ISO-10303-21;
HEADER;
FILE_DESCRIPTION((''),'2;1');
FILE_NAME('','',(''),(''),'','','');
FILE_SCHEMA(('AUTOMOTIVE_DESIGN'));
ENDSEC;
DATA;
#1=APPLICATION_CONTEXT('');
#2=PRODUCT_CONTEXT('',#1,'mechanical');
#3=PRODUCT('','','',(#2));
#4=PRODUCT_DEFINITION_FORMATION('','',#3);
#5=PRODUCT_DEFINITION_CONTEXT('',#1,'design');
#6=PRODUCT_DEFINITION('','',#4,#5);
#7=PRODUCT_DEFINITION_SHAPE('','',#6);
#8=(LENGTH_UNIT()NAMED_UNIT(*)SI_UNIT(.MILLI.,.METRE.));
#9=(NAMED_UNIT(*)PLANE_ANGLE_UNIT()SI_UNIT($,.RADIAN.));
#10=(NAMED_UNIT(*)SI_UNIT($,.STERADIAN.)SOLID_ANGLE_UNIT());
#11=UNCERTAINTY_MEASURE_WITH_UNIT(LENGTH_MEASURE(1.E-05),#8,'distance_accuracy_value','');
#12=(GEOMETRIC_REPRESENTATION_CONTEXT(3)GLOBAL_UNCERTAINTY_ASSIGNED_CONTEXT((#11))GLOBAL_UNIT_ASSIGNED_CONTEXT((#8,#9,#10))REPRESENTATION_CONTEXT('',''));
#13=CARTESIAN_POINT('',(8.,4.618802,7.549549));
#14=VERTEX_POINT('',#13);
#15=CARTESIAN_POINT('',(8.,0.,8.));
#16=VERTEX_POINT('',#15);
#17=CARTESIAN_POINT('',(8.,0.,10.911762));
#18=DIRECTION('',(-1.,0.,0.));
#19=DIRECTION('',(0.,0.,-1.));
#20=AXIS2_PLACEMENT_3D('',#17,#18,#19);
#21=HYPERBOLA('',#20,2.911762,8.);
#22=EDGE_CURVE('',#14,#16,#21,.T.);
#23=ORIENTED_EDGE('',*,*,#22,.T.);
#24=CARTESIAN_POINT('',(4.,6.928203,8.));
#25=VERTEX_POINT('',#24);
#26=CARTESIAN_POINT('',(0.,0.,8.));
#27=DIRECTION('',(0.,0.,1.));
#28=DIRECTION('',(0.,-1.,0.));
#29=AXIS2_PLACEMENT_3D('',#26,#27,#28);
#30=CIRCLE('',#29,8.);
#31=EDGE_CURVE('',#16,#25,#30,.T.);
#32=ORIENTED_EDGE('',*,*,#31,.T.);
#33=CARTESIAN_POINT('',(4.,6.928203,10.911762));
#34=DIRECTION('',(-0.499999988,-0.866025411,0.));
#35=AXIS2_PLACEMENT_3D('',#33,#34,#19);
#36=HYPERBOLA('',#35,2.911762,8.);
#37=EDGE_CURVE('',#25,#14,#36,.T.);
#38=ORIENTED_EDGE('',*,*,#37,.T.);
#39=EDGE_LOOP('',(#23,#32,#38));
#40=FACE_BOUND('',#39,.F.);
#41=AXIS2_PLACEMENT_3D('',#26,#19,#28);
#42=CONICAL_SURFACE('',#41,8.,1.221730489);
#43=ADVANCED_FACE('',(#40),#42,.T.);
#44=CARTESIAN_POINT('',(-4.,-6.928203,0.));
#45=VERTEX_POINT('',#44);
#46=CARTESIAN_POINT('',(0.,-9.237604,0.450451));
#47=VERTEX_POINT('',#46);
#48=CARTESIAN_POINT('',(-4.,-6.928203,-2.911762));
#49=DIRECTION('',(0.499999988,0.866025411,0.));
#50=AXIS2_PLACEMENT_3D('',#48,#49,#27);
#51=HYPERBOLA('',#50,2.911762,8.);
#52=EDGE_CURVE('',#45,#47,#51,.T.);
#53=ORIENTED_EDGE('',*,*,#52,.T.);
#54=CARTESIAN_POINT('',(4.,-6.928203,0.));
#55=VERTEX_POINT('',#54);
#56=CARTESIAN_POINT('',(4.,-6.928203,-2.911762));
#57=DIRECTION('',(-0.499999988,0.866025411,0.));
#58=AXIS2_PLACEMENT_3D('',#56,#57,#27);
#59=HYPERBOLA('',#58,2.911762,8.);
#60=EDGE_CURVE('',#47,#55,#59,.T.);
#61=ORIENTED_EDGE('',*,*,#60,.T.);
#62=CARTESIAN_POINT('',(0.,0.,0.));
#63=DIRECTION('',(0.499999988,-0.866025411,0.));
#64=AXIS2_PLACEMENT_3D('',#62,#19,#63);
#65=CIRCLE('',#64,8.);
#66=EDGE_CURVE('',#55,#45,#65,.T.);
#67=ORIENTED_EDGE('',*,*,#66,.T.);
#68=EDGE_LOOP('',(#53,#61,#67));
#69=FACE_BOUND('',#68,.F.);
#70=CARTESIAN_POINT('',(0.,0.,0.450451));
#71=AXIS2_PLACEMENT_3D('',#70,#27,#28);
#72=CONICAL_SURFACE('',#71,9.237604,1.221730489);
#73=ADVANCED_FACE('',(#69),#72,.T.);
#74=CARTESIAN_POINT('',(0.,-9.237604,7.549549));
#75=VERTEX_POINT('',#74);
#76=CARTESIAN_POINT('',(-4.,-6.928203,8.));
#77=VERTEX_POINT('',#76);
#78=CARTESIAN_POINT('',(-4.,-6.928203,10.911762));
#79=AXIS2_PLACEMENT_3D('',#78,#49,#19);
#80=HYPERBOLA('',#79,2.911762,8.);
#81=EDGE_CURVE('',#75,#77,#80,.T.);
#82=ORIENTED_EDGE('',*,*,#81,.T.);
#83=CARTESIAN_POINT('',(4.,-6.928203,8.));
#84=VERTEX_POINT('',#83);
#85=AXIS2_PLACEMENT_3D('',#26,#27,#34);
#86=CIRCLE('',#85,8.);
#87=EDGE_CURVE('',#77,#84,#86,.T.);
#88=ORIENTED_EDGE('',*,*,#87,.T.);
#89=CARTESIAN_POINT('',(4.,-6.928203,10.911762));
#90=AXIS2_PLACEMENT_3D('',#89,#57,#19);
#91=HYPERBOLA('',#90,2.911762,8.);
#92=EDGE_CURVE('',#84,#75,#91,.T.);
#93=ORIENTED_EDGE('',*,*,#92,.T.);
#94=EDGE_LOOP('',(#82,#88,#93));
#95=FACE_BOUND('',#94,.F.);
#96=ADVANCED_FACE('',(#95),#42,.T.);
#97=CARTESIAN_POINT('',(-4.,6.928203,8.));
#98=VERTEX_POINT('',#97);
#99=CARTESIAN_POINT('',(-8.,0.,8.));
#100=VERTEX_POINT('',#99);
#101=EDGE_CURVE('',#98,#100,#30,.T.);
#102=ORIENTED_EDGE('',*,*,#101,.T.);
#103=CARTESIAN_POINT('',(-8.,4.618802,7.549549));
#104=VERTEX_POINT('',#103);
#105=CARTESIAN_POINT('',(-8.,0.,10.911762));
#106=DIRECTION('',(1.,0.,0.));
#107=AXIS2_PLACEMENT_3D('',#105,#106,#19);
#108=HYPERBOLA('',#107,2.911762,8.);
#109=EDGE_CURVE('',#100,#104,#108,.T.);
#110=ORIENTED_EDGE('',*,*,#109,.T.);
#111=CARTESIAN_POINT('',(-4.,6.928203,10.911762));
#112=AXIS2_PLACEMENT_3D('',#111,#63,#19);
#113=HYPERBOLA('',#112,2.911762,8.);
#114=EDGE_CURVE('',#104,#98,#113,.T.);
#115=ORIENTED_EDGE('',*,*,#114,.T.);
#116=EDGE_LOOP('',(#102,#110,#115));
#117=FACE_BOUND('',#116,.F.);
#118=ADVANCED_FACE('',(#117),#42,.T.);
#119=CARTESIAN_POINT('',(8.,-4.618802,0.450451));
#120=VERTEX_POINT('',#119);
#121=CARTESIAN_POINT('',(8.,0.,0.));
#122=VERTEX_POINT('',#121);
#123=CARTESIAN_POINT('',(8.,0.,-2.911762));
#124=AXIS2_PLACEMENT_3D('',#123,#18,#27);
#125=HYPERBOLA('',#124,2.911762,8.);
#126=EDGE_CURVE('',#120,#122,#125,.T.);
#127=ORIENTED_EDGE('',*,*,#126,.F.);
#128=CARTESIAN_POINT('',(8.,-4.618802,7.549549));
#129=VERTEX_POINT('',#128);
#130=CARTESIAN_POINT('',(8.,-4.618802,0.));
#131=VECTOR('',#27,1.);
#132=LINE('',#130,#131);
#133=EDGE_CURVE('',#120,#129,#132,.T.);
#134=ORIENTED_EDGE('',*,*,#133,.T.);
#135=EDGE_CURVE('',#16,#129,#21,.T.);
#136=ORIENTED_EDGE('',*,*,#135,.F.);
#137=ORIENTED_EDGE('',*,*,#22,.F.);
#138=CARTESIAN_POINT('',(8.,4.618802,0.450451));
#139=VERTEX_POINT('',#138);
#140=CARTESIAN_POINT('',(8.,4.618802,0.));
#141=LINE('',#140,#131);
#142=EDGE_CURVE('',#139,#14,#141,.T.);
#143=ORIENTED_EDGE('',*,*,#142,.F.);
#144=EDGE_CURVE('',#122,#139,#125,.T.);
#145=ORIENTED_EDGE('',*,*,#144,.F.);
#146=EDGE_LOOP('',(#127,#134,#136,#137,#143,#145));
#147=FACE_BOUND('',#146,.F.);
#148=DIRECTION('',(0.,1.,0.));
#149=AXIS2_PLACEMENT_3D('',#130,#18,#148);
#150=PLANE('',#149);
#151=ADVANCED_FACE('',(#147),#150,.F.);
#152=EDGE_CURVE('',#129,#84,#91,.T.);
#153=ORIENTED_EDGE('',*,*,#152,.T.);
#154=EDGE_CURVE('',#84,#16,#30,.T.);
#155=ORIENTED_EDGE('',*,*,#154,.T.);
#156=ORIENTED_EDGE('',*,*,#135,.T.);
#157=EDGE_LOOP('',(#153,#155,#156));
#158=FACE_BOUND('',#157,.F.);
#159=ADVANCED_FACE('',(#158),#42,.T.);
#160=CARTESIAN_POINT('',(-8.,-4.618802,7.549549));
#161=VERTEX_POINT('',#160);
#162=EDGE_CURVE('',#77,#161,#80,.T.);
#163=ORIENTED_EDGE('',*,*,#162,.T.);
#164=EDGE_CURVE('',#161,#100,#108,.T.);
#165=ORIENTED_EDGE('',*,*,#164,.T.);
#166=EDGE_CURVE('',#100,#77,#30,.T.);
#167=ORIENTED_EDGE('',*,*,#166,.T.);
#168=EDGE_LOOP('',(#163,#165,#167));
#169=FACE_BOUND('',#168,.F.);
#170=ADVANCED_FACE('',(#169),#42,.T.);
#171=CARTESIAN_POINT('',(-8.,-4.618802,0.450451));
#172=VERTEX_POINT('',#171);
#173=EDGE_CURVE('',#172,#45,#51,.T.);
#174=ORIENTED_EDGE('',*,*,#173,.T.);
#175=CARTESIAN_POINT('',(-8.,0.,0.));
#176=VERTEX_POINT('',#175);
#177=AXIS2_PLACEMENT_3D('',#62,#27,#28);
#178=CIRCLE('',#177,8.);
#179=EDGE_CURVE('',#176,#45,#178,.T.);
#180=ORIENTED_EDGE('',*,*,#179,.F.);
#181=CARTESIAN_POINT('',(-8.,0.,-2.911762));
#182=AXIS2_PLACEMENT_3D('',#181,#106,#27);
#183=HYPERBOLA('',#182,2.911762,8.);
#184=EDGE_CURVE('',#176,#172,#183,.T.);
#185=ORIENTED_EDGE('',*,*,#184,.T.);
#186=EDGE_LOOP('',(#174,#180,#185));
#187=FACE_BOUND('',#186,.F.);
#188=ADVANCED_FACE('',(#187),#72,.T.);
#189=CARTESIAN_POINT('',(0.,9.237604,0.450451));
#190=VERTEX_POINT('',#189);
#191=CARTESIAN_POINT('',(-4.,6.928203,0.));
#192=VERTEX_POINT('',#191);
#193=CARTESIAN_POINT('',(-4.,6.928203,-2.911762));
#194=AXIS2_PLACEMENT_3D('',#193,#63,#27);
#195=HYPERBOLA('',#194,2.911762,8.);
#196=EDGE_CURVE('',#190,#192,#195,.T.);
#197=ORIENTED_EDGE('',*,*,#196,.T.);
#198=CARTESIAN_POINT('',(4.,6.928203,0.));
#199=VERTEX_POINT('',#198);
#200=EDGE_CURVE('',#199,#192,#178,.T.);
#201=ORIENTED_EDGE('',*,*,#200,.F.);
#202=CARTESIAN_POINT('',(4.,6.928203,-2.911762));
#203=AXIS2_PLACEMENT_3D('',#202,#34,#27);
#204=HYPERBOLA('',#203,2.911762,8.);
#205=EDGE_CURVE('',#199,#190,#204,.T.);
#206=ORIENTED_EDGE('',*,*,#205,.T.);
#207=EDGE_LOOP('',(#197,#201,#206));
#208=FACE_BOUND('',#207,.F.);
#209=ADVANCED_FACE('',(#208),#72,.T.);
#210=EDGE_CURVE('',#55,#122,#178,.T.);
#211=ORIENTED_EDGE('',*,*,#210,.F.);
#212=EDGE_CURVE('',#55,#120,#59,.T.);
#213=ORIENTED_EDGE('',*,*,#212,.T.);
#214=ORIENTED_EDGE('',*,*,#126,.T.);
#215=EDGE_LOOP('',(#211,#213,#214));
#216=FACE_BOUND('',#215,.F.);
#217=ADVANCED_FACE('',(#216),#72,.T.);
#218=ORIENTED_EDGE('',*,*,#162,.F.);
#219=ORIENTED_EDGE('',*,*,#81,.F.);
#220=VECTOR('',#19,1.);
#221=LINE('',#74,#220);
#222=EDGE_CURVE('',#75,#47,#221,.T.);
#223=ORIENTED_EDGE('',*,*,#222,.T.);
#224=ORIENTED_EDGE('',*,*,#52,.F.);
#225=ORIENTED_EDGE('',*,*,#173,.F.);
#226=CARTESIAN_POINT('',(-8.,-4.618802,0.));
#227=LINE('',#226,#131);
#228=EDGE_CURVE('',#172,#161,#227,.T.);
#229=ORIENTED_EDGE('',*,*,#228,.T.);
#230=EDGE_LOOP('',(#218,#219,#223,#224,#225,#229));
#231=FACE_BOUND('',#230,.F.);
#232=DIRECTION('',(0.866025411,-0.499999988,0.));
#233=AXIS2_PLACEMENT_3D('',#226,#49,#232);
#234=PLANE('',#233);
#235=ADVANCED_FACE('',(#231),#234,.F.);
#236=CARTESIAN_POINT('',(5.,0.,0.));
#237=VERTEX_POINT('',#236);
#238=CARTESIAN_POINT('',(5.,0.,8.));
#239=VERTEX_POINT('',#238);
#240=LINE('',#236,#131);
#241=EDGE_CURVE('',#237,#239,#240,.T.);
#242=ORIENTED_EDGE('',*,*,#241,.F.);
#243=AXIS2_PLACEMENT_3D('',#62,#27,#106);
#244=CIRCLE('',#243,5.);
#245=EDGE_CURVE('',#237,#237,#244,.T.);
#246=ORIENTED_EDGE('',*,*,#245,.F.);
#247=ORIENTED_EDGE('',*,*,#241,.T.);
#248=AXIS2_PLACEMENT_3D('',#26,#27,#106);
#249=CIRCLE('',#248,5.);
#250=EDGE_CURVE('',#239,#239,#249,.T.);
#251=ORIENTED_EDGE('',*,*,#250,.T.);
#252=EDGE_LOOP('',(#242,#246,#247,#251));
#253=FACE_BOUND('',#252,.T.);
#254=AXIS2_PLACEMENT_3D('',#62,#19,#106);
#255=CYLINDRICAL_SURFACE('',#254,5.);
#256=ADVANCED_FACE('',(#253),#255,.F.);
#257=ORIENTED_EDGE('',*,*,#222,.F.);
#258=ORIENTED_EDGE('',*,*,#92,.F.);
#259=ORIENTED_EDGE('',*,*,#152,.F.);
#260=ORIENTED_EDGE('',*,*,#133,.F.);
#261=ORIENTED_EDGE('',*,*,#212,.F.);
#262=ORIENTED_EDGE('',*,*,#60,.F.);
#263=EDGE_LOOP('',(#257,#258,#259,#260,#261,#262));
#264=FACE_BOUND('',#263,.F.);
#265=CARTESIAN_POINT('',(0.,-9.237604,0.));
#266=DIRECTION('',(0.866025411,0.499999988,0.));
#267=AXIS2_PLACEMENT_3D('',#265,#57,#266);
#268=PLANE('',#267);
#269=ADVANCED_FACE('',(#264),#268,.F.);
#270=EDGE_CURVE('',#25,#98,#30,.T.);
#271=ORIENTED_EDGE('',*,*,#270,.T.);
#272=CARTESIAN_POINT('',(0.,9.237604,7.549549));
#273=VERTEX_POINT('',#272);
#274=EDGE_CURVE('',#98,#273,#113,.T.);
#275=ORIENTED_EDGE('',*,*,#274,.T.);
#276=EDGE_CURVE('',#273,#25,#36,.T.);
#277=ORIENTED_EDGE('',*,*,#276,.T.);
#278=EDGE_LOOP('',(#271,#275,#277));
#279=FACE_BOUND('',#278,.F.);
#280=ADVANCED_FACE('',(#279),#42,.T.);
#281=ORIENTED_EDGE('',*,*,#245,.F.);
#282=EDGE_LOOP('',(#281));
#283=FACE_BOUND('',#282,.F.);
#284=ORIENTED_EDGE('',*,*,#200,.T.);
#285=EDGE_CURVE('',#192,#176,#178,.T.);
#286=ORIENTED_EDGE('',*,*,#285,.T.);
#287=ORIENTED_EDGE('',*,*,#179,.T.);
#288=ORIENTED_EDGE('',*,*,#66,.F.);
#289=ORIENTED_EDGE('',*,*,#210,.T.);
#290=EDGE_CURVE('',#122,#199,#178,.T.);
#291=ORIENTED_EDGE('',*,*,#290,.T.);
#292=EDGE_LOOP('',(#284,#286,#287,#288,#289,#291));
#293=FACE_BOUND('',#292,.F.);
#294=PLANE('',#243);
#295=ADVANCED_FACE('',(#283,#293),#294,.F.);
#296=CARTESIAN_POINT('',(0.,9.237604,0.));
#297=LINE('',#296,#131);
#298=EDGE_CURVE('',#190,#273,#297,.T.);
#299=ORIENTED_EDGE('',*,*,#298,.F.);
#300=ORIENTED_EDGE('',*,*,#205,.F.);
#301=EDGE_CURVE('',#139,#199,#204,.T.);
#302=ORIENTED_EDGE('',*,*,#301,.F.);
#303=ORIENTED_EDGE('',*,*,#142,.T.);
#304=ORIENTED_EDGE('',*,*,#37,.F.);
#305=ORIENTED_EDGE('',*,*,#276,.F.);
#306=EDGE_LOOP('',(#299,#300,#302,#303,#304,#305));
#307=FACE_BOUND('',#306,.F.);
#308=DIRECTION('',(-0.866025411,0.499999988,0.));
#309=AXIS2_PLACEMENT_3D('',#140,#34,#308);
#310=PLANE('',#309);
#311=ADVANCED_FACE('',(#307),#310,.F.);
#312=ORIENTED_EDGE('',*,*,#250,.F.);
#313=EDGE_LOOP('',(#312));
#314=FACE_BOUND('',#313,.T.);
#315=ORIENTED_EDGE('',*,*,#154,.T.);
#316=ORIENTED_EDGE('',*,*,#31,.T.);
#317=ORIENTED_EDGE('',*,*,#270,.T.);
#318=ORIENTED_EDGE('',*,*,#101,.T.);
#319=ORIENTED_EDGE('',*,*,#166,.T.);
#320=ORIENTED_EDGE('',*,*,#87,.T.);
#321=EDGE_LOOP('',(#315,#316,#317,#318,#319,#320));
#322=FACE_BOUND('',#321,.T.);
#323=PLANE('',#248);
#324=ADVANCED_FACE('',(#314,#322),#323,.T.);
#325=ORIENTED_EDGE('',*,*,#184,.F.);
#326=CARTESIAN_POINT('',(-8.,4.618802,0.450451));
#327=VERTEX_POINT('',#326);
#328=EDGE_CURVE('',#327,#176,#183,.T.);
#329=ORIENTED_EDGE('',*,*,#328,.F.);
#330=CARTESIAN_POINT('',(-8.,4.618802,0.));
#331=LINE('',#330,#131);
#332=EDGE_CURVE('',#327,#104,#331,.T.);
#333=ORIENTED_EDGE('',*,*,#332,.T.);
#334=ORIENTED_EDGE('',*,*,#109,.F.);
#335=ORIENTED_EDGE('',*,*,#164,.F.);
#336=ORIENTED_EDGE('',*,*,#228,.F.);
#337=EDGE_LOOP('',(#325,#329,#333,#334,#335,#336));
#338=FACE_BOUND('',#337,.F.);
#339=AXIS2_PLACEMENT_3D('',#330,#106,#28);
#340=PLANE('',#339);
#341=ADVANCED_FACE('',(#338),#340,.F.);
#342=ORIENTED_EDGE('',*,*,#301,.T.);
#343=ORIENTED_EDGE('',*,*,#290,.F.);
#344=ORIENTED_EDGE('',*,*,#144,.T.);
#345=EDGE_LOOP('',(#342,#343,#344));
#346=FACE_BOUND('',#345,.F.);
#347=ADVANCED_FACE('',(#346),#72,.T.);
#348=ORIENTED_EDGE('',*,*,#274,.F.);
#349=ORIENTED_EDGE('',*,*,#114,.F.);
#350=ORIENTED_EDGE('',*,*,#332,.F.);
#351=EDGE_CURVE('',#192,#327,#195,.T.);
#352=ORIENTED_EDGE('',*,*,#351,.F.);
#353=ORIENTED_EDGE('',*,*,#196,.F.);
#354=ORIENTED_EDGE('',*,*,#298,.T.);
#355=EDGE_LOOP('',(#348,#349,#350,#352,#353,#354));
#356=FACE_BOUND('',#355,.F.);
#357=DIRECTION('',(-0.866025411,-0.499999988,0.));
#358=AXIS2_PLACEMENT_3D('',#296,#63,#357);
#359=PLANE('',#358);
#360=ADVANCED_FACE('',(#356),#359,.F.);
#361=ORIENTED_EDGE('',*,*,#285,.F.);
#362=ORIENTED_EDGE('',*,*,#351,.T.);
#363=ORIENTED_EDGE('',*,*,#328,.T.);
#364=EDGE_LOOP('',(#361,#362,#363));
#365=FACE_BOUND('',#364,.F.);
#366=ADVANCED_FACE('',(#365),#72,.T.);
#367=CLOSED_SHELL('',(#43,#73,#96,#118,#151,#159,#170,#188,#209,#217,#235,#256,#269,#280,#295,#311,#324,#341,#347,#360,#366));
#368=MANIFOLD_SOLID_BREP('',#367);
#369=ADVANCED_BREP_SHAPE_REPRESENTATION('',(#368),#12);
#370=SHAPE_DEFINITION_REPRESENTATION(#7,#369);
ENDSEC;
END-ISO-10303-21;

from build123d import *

# Parameters (mm, degrees)
F0_R     = 5
F1_DEPTH = 8


with BuildPart() as f1:
    # F0 (on Top) → F1 (new body)
    with BuildSketch(Plane.XY):
        Polygon((8, -4.618802), (8, 4.618802), (0, 9.237604), (-8, 4.618802), (-8, -4.618802), (0, -9.237604), align=None)
        Circle(F0_R, mode=Mode.SUBTRACT)
    extrude(amount=F1_DEPTH)

    # F2 (on Right) → F3 (revolve, intersect)
    with BuildSketch(Plane.YZ):
        Polygon((-8, 0), (0, 0), (0, 8), (-8, 8), (-9.237604, 7.549549), (-9.237604, 0.450451), align=None)
    revolve(axis=Axis((0, 0, 4.732898), (0, 0, 1)), mode=Mode.INTERSECT)


solid = f1.part
